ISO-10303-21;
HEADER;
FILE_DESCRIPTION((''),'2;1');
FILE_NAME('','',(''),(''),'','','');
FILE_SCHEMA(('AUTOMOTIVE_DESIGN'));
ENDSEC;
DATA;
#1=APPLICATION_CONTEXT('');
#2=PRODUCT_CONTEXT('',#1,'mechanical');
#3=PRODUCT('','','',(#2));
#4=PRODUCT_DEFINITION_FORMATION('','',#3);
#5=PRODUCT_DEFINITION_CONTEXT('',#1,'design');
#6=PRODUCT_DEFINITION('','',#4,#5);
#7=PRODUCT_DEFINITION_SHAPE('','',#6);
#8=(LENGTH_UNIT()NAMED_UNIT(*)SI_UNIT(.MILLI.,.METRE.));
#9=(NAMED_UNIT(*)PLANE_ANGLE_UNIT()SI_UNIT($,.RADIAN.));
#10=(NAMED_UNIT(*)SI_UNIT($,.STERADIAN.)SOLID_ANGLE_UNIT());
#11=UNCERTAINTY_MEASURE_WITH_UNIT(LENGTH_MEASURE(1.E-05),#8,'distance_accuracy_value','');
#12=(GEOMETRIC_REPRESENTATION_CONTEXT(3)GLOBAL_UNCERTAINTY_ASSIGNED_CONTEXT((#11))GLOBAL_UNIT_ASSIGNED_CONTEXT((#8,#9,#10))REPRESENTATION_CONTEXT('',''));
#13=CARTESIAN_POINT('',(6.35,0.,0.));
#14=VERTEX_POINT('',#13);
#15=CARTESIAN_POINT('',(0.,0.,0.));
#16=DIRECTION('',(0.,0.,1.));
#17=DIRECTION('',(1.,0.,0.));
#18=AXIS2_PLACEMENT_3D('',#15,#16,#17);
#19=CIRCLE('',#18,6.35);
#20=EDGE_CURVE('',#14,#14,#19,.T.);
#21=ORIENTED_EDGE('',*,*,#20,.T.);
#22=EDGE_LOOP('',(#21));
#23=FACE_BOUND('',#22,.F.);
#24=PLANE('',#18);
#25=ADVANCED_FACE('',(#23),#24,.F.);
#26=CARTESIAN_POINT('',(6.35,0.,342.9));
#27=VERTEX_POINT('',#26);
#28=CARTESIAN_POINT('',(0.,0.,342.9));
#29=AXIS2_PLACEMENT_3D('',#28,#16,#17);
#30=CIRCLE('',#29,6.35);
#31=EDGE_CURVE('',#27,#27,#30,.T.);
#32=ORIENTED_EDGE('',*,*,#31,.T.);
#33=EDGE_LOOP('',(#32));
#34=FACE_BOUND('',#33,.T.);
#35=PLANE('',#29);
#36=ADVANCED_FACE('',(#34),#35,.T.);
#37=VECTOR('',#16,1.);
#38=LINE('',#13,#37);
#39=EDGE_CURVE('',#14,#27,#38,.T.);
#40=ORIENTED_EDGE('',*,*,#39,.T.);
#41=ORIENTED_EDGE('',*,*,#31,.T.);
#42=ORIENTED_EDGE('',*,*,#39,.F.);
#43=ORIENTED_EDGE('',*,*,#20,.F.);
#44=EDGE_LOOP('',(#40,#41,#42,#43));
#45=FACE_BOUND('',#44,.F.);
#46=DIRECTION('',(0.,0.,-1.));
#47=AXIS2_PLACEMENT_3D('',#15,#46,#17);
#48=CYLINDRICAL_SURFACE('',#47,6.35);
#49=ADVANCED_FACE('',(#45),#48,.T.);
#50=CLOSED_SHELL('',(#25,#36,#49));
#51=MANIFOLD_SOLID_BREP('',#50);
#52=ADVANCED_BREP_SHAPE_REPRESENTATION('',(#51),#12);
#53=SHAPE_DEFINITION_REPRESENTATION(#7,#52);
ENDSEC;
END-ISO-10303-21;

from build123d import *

# Parameters (mm, degrees)
SKETCH1_R           = 6.35
BOSS_EXTRUDE1_DEPTH = 342.9


with BuildPart() as part:
    # Sketch1 → Boss-Extrude1 (new body)
    with BuildSketch(Plane.XY):
        Circle(SKETCH1_R)
    extrude(amount=BOSS_EXTRUDE1_DEPTH)


solid = part.part
